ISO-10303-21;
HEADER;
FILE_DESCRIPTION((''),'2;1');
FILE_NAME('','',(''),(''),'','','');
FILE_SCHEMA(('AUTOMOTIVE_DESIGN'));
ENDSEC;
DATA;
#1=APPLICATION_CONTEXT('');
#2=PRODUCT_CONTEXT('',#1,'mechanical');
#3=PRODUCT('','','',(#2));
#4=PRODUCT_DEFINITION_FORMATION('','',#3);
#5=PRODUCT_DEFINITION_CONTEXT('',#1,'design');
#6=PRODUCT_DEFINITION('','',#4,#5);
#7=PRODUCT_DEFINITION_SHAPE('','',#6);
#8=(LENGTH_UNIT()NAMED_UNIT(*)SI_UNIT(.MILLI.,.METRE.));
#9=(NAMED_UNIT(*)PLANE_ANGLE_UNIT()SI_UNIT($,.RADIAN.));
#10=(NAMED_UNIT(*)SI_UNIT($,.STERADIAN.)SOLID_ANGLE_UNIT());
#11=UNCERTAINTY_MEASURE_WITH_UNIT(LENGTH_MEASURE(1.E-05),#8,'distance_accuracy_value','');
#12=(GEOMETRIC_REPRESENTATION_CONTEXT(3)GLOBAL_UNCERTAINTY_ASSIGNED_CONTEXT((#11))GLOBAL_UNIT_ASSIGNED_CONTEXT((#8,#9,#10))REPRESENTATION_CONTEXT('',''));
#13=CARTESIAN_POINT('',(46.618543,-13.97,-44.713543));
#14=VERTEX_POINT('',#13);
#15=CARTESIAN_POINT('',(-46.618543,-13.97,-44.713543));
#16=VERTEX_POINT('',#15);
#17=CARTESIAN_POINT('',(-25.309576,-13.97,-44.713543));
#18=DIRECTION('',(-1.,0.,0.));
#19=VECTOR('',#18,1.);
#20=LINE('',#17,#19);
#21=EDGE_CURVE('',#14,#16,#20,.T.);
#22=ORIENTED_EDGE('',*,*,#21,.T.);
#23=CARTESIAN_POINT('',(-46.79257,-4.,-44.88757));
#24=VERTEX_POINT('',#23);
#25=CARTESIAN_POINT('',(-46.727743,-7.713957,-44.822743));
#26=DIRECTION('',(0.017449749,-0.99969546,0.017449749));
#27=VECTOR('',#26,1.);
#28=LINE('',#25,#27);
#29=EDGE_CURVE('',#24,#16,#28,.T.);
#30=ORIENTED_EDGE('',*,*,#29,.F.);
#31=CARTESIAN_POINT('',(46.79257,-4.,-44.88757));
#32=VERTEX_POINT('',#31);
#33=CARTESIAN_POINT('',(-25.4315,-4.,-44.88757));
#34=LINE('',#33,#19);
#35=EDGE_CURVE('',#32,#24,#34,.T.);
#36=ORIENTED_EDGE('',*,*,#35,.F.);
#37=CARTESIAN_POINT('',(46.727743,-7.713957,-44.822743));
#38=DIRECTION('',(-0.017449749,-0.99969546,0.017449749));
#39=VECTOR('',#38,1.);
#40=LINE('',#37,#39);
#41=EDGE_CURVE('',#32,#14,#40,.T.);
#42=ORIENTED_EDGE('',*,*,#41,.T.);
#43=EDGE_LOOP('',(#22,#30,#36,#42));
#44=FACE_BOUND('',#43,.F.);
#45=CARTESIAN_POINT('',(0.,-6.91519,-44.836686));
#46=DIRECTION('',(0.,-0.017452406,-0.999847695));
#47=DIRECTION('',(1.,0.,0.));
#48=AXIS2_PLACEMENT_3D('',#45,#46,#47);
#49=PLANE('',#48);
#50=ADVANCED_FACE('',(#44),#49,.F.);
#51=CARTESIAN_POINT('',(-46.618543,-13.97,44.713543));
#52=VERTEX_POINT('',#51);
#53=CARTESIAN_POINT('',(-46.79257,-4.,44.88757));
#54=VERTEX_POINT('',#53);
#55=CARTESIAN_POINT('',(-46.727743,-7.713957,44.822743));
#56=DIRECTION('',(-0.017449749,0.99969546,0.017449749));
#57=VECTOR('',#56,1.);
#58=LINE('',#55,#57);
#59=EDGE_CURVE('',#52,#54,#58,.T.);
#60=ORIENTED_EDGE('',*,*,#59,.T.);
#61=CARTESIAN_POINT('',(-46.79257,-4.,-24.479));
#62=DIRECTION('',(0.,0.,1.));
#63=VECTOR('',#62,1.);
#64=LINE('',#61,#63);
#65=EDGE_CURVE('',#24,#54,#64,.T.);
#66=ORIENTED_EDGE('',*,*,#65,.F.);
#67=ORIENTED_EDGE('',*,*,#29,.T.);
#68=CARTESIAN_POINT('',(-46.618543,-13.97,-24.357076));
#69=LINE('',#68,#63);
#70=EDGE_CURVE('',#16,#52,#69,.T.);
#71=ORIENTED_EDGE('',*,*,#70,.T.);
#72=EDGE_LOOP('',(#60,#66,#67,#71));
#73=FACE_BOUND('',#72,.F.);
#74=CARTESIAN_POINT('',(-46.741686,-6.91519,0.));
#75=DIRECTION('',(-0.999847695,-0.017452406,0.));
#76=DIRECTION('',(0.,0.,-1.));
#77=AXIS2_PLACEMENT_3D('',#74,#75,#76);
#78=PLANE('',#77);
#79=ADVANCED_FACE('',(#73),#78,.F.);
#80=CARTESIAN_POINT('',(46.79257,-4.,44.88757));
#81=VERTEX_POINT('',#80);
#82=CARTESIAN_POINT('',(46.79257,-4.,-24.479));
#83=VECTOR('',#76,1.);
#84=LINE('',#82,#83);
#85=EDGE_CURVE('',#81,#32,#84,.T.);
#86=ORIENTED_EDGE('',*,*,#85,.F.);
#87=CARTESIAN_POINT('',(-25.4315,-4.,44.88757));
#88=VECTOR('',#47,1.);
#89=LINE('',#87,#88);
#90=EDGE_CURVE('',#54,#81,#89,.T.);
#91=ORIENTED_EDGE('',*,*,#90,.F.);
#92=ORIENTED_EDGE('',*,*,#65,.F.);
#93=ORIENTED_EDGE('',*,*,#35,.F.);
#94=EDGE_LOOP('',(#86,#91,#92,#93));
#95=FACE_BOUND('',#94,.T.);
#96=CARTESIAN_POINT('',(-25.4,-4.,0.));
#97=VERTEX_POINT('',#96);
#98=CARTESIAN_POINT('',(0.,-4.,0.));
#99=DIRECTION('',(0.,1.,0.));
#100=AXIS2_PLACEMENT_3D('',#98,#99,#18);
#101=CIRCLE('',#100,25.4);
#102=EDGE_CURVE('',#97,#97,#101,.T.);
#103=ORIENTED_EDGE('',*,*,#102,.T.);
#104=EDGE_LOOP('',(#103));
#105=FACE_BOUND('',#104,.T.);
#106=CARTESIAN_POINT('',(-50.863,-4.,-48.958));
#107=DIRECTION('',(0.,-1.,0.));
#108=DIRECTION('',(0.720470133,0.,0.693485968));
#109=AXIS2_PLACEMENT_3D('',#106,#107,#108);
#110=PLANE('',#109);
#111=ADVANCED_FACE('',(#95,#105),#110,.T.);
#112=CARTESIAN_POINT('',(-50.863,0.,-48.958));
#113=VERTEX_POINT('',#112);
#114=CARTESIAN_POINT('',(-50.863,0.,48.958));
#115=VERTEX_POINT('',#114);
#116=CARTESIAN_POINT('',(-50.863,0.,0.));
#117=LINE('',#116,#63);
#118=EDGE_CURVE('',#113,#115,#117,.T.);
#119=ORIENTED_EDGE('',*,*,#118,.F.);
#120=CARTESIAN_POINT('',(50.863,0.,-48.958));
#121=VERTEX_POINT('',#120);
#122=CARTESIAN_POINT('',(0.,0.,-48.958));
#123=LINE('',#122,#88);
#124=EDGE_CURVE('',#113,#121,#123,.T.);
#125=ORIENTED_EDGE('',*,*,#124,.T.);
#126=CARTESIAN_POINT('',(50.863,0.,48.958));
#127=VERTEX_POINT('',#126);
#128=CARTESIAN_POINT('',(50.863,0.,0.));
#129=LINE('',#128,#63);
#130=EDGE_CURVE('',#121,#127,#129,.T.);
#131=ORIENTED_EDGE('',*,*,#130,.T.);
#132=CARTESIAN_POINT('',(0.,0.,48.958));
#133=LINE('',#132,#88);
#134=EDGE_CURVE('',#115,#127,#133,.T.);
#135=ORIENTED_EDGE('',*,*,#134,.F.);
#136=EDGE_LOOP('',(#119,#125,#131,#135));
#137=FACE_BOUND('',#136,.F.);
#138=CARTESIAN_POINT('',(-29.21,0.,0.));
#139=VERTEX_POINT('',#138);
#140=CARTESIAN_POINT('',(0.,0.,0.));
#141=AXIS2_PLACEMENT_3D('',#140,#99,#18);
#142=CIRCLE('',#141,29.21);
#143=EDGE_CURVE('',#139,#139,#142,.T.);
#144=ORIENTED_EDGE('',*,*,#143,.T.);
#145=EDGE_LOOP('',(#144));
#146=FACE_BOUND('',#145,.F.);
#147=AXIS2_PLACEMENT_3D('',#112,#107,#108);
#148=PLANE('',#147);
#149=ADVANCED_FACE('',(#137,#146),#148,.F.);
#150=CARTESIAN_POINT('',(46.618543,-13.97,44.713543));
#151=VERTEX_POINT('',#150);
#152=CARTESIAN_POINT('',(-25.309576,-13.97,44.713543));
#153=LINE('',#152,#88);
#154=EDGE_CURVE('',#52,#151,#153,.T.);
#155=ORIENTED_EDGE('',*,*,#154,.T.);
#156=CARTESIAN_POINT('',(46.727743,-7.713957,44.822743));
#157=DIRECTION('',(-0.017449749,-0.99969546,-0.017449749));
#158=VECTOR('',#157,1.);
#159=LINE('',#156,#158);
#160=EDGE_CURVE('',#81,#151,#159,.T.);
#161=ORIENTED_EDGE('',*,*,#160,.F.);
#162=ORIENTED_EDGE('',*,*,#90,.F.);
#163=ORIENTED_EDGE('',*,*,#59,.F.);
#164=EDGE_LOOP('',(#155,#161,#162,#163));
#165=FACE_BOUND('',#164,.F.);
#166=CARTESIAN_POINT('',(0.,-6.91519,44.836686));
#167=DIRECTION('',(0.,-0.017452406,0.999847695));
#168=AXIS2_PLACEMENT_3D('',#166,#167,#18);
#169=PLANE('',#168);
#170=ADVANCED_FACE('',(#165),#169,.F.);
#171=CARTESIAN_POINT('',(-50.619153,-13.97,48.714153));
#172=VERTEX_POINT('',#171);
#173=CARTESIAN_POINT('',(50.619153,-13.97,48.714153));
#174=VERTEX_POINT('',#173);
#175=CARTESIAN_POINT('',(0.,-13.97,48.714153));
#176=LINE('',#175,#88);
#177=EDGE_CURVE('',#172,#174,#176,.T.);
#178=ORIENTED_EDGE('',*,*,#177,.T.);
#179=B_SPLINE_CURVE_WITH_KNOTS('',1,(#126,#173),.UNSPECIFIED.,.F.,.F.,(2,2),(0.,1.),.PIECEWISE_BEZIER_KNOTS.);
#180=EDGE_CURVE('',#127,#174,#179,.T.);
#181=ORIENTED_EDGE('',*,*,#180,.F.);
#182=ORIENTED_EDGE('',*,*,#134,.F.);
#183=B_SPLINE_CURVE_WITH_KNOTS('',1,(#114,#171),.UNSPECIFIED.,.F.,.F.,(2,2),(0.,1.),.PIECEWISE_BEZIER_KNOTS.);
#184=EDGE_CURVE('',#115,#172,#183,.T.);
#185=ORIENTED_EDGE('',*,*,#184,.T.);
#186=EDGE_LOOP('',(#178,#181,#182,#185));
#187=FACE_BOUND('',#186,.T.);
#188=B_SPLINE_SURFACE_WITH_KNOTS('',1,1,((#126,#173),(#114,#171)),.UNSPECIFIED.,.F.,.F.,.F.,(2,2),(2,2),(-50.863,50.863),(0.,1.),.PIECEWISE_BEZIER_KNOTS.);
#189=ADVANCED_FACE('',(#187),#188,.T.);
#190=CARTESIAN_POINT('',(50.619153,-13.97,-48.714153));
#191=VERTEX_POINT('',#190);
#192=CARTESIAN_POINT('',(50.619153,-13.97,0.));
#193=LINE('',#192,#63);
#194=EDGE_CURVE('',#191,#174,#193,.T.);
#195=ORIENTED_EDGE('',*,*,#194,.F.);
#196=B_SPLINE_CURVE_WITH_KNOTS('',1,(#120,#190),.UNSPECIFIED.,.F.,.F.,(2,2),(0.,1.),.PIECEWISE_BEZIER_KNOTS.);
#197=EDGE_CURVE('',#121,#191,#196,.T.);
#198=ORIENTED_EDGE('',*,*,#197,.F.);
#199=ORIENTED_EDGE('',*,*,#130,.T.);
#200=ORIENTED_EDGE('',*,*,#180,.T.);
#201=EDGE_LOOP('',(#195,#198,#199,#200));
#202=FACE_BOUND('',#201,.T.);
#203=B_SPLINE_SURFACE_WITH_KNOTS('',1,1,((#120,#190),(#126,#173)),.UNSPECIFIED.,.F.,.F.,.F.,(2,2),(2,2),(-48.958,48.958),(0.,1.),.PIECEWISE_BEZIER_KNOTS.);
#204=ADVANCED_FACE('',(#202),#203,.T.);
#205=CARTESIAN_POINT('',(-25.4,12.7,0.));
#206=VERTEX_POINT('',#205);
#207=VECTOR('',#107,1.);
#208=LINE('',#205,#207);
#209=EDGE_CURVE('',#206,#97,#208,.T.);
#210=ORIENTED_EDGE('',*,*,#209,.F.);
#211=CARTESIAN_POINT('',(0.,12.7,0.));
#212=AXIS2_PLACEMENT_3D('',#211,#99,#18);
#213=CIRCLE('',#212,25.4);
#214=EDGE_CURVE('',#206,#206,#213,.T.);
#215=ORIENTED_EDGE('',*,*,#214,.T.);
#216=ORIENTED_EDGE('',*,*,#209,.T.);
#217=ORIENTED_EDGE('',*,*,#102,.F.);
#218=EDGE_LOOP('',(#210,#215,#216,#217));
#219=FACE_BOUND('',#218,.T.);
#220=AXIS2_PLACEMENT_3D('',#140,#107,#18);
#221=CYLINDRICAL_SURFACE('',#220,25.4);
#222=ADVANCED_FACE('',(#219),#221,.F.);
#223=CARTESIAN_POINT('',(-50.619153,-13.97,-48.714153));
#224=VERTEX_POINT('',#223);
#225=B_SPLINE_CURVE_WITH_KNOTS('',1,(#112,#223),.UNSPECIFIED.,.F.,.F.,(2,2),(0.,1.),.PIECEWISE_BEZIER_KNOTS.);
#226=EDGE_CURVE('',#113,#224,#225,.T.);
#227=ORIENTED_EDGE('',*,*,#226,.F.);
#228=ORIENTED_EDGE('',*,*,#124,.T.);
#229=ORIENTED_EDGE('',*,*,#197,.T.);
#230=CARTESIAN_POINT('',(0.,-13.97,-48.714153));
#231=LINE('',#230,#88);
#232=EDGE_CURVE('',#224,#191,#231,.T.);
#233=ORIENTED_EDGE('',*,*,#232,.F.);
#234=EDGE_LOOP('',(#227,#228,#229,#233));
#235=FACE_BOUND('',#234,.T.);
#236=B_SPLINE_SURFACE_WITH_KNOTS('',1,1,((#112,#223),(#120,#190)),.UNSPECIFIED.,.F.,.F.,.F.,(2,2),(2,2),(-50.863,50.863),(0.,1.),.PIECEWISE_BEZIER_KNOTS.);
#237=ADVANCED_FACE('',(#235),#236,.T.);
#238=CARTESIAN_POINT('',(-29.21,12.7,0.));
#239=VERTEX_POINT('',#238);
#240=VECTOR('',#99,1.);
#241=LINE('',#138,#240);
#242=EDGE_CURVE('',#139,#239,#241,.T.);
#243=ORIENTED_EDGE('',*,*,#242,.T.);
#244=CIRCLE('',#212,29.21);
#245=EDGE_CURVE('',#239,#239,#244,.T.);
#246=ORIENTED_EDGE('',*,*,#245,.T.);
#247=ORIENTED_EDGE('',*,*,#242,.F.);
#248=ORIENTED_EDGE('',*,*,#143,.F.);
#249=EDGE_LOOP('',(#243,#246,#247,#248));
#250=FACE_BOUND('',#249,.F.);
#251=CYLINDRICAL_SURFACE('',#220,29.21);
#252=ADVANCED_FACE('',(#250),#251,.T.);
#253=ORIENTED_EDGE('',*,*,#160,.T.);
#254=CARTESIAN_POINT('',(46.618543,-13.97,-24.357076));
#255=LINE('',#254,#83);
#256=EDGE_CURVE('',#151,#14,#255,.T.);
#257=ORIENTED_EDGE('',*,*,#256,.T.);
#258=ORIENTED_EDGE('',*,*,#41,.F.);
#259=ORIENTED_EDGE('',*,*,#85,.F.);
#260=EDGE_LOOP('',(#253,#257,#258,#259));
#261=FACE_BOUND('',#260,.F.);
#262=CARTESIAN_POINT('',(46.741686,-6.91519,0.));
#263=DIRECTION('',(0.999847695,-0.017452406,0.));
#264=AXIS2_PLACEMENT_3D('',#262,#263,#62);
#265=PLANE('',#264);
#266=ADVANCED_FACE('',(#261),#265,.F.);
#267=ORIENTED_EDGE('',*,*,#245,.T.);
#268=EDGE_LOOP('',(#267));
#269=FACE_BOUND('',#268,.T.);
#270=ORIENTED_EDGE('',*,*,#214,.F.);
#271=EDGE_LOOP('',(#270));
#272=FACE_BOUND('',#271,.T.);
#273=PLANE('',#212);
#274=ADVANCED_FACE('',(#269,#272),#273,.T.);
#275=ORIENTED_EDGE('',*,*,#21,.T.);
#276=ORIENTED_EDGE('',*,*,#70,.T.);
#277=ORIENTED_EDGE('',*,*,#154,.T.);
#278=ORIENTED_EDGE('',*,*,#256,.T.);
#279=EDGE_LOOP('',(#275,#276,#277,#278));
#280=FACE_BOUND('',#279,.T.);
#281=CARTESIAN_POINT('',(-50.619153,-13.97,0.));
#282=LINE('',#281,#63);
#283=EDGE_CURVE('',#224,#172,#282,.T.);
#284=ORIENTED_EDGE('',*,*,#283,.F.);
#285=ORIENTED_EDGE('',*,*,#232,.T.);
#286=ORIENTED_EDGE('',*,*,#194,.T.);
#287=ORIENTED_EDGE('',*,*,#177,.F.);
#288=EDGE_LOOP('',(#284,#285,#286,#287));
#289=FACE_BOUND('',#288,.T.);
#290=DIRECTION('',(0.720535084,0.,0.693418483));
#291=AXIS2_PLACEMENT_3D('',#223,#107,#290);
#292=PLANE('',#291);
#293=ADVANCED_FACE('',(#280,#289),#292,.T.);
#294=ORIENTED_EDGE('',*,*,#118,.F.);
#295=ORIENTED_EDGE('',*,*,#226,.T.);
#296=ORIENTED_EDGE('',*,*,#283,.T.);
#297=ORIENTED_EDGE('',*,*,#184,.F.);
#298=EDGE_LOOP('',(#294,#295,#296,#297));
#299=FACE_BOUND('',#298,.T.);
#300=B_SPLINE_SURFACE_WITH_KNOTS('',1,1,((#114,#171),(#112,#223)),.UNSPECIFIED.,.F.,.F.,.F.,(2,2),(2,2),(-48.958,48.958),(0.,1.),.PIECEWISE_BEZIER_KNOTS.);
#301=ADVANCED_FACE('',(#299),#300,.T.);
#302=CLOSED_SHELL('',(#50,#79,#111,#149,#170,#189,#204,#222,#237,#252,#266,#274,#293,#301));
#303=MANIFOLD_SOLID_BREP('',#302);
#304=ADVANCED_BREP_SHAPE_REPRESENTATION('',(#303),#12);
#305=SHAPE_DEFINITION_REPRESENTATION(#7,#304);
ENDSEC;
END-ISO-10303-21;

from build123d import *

# Parameters (mm, degrees)
F0_W     = 101.726
F0_H     = 97.916
F0_W_2   = 93.726
F0_H_2   = 89.916
F1_DEPTH = 13.97
F1_TAPER = 1
F2_T     = -4
F3_R     = 29.21
F3_R_2   = 25.4
F4_DEPTH = 12.7
F5_DEPTH = 4


with BuildPart() as f1:
    # F0 (on Front) → F1 (new body)
    with BuildSketch(Plane.XZ):
        Rectangle(F0_W, F0_H)
        Rectangle(F0_W_2, F0_H_2, mode=Mode.SUBTRACT)
        Rectangle(F0_W_2, F0_H_2)
    extrude(amount=F1_DEPTH, taper=F1_TAPER)

    # F2
    f2_openings = [f1.faces().sort_by_distance(p)[0] for p in [
        (0, -13.97, 0),
    ]]
    offset(amount=F2_T, openings=f2_openings)

    # F3 (on face) → F4 (join)
    with BuildSketch(Plane(origin=(0, 0, 0), x_dir=(-1, 0, 0), z_dir=(0, 1, 0))):
        Circle(F3_R)
        Circle(F3_R_2, mode=Mode.SUBTRACT)
    extrude(amount=F4_DEPTH)

    # F5 (cut, through all): a face of the model
    f5_faces = [f1.faces().sort_by_distance(p)[0] for p in [
        (0, 0, 0),
    ]]
    extrude(f5_faces, amount=-F5_DEPTH, mode=Mode.SUBTRACT)


solid = f1.part
